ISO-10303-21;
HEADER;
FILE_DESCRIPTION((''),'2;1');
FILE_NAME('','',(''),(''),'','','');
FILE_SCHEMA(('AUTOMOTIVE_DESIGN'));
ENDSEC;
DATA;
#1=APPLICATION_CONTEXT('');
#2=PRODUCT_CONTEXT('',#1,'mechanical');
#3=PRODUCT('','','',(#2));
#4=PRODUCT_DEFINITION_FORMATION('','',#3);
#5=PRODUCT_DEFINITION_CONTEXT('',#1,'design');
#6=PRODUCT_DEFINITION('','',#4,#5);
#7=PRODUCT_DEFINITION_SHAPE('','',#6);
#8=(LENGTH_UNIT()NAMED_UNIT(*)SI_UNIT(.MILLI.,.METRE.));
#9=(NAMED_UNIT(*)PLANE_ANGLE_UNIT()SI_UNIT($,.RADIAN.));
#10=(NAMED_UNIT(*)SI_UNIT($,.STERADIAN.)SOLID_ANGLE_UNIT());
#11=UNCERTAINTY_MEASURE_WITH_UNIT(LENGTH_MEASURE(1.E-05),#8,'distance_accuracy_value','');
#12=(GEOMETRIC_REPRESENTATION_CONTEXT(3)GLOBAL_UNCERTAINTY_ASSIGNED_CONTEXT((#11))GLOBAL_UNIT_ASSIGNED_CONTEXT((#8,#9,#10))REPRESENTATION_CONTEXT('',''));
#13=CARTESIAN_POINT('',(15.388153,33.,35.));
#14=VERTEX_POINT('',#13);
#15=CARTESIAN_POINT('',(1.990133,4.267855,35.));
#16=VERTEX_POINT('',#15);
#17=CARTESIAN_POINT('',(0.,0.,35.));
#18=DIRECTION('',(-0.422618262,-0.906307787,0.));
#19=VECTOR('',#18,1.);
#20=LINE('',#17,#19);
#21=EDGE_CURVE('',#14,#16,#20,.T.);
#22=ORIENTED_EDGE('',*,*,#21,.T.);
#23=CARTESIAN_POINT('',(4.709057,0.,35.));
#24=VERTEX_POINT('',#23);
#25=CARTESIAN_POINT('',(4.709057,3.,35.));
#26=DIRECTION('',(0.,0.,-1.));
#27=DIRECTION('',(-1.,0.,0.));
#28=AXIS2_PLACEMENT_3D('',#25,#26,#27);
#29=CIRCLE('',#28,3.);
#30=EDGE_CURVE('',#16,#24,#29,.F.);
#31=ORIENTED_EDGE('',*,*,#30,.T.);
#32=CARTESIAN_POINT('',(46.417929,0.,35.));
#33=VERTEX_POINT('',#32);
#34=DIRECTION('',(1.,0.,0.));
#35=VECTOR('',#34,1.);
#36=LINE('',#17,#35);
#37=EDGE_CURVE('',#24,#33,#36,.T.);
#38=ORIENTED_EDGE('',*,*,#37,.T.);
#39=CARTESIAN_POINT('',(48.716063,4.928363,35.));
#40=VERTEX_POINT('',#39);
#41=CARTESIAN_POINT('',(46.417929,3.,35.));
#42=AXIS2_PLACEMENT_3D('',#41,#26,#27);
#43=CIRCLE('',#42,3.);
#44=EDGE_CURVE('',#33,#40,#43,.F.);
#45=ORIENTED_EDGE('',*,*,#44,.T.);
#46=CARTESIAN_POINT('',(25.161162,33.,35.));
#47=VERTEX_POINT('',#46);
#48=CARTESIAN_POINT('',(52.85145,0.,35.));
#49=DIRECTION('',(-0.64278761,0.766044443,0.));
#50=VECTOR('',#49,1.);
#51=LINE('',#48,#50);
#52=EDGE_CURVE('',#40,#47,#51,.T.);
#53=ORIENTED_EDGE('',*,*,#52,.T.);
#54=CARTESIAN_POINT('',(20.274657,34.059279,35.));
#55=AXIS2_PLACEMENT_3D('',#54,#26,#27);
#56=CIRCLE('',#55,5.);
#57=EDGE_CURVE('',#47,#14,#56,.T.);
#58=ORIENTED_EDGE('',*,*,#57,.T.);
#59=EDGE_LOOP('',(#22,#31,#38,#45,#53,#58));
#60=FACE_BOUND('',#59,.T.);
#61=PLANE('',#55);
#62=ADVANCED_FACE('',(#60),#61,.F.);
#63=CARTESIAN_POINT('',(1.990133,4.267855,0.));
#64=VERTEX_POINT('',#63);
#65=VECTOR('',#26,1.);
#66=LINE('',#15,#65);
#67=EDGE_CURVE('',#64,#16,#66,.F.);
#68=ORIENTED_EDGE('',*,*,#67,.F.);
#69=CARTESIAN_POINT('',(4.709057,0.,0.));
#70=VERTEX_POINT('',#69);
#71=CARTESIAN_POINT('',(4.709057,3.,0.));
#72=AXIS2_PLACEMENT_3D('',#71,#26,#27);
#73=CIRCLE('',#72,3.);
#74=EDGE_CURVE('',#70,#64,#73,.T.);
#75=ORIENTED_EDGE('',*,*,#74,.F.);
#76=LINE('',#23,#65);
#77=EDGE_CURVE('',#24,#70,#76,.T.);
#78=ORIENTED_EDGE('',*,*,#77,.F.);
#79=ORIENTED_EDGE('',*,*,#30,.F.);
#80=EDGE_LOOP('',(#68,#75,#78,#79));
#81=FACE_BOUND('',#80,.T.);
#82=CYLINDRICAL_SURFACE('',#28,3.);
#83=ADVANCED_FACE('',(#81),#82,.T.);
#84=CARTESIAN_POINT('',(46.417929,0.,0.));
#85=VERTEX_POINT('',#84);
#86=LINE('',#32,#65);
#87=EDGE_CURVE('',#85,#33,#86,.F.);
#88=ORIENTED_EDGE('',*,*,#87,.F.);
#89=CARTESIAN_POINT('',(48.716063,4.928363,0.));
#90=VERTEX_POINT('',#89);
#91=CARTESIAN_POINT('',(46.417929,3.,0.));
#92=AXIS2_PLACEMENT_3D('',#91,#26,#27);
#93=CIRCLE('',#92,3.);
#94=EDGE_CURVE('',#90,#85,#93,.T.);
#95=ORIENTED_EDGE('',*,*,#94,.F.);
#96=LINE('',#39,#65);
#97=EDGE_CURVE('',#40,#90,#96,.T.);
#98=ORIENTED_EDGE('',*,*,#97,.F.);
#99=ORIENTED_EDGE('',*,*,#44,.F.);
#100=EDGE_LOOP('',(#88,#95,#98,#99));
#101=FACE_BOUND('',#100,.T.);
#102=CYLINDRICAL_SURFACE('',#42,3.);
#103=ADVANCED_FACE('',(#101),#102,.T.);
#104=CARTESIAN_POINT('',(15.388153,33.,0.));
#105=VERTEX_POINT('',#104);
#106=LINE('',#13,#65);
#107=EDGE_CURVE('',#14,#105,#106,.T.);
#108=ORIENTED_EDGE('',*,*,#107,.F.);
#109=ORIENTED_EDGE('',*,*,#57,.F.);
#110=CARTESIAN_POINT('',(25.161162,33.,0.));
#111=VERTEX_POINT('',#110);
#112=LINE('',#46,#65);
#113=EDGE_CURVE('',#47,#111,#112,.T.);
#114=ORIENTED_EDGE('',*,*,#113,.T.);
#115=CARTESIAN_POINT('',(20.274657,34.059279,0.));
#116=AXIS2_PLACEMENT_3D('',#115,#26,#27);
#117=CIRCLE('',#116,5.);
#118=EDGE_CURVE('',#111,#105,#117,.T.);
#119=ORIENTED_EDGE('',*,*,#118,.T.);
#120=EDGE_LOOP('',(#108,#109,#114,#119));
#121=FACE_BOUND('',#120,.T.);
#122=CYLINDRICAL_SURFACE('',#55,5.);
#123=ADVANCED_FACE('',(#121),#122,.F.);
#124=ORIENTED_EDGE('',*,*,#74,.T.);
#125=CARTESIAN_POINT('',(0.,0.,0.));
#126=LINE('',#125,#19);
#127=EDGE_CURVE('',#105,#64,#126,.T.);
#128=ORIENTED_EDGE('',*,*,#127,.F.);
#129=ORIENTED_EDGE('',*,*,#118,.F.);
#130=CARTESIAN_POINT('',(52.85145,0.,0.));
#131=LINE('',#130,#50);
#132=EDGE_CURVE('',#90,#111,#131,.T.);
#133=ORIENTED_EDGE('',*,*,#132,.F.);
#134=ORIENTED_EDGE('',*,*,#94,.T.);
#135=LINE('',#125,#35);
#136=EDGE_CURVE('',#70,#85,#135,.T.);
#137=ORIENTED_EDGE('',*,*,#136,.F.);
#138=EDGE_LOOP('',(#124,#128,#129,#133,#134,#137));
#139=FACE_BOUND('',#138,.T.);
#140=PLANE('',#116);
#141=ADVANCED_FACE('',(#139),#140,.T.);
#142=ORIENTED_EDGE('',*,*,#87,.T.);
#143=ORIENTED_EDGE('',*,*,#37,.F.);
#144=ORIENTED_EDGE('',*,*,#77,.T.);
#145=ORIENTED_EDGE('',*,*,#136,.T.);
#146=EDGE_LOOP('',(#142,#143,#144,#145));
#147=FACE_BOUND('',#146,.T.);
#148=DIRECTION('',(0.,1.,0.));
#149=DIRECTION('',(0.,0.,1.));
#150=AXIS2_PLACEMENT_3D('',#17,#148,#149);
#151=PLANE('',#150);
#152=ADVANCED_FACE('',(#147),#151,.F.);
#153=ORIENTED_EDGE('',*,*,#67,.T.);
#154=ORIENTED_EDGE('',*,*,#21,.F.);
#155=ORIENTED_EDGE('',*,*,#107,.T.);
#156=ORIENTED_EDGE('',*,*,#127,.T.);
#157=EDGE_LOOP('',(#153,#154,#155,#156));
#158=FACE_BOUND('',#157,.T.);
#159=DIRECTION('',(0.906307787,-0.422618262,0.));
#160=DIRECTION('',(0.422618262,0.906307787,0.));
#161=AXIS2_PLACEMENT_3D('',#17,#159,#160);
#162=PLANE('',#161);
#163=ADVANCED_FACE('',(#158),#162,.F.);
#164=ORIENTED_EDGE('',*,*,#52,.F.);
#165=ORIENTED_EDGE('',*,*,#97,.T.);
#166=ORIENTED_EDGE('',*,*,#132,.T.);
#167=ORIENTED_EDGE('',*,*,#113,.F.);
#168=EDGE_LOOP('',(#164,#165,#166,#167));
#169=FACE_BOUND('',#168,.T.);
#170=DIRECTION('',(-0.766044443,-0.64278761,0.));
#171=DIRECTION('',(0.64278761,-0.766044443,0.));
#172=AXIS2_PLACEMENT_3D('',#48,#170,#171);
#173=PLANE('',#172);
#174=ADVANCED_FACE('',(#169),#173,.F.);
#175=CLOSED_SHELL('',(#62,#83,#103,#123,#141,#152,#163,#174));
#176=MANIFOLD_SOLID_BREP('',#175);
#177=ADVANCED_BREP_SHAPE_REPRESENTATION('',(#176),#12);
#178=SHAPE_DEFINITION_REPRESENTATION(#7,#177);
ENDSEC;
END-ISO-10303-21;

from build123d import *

# Parameters (mm, degrees)
EXTRUDE_1_DEPTH = 35
FILLET_1_R      = 3


with BuildPart() as part:
    # 스케치1 → 보스-돌출1 (new body)
    with BuildSketch(Plane.XY):
        with BuildLine():
            Line((0, 0), (52.851450041, 0))
            Line((52.851450041, 0), (25.161162212, 33))
            ThreePointArc((25.161162212, 33), (20.274657466, 29.059278699), (15.388152719, 33))
            Line((15.388152719, 33), (0, 0))
        make_face()
    extrude(amount=EXTRUDE_1_DEPTH)

    # 필렛1
    fillet_1_edges = [part.edges().sort_by_distance(p)[0] for p in [
        (52.851450041, 0, 17.5),
        (0, 0, 17.5),
    ]]
    fillet(fillet_1_edges, radius=FILLET_1_R)


solid = part.part
